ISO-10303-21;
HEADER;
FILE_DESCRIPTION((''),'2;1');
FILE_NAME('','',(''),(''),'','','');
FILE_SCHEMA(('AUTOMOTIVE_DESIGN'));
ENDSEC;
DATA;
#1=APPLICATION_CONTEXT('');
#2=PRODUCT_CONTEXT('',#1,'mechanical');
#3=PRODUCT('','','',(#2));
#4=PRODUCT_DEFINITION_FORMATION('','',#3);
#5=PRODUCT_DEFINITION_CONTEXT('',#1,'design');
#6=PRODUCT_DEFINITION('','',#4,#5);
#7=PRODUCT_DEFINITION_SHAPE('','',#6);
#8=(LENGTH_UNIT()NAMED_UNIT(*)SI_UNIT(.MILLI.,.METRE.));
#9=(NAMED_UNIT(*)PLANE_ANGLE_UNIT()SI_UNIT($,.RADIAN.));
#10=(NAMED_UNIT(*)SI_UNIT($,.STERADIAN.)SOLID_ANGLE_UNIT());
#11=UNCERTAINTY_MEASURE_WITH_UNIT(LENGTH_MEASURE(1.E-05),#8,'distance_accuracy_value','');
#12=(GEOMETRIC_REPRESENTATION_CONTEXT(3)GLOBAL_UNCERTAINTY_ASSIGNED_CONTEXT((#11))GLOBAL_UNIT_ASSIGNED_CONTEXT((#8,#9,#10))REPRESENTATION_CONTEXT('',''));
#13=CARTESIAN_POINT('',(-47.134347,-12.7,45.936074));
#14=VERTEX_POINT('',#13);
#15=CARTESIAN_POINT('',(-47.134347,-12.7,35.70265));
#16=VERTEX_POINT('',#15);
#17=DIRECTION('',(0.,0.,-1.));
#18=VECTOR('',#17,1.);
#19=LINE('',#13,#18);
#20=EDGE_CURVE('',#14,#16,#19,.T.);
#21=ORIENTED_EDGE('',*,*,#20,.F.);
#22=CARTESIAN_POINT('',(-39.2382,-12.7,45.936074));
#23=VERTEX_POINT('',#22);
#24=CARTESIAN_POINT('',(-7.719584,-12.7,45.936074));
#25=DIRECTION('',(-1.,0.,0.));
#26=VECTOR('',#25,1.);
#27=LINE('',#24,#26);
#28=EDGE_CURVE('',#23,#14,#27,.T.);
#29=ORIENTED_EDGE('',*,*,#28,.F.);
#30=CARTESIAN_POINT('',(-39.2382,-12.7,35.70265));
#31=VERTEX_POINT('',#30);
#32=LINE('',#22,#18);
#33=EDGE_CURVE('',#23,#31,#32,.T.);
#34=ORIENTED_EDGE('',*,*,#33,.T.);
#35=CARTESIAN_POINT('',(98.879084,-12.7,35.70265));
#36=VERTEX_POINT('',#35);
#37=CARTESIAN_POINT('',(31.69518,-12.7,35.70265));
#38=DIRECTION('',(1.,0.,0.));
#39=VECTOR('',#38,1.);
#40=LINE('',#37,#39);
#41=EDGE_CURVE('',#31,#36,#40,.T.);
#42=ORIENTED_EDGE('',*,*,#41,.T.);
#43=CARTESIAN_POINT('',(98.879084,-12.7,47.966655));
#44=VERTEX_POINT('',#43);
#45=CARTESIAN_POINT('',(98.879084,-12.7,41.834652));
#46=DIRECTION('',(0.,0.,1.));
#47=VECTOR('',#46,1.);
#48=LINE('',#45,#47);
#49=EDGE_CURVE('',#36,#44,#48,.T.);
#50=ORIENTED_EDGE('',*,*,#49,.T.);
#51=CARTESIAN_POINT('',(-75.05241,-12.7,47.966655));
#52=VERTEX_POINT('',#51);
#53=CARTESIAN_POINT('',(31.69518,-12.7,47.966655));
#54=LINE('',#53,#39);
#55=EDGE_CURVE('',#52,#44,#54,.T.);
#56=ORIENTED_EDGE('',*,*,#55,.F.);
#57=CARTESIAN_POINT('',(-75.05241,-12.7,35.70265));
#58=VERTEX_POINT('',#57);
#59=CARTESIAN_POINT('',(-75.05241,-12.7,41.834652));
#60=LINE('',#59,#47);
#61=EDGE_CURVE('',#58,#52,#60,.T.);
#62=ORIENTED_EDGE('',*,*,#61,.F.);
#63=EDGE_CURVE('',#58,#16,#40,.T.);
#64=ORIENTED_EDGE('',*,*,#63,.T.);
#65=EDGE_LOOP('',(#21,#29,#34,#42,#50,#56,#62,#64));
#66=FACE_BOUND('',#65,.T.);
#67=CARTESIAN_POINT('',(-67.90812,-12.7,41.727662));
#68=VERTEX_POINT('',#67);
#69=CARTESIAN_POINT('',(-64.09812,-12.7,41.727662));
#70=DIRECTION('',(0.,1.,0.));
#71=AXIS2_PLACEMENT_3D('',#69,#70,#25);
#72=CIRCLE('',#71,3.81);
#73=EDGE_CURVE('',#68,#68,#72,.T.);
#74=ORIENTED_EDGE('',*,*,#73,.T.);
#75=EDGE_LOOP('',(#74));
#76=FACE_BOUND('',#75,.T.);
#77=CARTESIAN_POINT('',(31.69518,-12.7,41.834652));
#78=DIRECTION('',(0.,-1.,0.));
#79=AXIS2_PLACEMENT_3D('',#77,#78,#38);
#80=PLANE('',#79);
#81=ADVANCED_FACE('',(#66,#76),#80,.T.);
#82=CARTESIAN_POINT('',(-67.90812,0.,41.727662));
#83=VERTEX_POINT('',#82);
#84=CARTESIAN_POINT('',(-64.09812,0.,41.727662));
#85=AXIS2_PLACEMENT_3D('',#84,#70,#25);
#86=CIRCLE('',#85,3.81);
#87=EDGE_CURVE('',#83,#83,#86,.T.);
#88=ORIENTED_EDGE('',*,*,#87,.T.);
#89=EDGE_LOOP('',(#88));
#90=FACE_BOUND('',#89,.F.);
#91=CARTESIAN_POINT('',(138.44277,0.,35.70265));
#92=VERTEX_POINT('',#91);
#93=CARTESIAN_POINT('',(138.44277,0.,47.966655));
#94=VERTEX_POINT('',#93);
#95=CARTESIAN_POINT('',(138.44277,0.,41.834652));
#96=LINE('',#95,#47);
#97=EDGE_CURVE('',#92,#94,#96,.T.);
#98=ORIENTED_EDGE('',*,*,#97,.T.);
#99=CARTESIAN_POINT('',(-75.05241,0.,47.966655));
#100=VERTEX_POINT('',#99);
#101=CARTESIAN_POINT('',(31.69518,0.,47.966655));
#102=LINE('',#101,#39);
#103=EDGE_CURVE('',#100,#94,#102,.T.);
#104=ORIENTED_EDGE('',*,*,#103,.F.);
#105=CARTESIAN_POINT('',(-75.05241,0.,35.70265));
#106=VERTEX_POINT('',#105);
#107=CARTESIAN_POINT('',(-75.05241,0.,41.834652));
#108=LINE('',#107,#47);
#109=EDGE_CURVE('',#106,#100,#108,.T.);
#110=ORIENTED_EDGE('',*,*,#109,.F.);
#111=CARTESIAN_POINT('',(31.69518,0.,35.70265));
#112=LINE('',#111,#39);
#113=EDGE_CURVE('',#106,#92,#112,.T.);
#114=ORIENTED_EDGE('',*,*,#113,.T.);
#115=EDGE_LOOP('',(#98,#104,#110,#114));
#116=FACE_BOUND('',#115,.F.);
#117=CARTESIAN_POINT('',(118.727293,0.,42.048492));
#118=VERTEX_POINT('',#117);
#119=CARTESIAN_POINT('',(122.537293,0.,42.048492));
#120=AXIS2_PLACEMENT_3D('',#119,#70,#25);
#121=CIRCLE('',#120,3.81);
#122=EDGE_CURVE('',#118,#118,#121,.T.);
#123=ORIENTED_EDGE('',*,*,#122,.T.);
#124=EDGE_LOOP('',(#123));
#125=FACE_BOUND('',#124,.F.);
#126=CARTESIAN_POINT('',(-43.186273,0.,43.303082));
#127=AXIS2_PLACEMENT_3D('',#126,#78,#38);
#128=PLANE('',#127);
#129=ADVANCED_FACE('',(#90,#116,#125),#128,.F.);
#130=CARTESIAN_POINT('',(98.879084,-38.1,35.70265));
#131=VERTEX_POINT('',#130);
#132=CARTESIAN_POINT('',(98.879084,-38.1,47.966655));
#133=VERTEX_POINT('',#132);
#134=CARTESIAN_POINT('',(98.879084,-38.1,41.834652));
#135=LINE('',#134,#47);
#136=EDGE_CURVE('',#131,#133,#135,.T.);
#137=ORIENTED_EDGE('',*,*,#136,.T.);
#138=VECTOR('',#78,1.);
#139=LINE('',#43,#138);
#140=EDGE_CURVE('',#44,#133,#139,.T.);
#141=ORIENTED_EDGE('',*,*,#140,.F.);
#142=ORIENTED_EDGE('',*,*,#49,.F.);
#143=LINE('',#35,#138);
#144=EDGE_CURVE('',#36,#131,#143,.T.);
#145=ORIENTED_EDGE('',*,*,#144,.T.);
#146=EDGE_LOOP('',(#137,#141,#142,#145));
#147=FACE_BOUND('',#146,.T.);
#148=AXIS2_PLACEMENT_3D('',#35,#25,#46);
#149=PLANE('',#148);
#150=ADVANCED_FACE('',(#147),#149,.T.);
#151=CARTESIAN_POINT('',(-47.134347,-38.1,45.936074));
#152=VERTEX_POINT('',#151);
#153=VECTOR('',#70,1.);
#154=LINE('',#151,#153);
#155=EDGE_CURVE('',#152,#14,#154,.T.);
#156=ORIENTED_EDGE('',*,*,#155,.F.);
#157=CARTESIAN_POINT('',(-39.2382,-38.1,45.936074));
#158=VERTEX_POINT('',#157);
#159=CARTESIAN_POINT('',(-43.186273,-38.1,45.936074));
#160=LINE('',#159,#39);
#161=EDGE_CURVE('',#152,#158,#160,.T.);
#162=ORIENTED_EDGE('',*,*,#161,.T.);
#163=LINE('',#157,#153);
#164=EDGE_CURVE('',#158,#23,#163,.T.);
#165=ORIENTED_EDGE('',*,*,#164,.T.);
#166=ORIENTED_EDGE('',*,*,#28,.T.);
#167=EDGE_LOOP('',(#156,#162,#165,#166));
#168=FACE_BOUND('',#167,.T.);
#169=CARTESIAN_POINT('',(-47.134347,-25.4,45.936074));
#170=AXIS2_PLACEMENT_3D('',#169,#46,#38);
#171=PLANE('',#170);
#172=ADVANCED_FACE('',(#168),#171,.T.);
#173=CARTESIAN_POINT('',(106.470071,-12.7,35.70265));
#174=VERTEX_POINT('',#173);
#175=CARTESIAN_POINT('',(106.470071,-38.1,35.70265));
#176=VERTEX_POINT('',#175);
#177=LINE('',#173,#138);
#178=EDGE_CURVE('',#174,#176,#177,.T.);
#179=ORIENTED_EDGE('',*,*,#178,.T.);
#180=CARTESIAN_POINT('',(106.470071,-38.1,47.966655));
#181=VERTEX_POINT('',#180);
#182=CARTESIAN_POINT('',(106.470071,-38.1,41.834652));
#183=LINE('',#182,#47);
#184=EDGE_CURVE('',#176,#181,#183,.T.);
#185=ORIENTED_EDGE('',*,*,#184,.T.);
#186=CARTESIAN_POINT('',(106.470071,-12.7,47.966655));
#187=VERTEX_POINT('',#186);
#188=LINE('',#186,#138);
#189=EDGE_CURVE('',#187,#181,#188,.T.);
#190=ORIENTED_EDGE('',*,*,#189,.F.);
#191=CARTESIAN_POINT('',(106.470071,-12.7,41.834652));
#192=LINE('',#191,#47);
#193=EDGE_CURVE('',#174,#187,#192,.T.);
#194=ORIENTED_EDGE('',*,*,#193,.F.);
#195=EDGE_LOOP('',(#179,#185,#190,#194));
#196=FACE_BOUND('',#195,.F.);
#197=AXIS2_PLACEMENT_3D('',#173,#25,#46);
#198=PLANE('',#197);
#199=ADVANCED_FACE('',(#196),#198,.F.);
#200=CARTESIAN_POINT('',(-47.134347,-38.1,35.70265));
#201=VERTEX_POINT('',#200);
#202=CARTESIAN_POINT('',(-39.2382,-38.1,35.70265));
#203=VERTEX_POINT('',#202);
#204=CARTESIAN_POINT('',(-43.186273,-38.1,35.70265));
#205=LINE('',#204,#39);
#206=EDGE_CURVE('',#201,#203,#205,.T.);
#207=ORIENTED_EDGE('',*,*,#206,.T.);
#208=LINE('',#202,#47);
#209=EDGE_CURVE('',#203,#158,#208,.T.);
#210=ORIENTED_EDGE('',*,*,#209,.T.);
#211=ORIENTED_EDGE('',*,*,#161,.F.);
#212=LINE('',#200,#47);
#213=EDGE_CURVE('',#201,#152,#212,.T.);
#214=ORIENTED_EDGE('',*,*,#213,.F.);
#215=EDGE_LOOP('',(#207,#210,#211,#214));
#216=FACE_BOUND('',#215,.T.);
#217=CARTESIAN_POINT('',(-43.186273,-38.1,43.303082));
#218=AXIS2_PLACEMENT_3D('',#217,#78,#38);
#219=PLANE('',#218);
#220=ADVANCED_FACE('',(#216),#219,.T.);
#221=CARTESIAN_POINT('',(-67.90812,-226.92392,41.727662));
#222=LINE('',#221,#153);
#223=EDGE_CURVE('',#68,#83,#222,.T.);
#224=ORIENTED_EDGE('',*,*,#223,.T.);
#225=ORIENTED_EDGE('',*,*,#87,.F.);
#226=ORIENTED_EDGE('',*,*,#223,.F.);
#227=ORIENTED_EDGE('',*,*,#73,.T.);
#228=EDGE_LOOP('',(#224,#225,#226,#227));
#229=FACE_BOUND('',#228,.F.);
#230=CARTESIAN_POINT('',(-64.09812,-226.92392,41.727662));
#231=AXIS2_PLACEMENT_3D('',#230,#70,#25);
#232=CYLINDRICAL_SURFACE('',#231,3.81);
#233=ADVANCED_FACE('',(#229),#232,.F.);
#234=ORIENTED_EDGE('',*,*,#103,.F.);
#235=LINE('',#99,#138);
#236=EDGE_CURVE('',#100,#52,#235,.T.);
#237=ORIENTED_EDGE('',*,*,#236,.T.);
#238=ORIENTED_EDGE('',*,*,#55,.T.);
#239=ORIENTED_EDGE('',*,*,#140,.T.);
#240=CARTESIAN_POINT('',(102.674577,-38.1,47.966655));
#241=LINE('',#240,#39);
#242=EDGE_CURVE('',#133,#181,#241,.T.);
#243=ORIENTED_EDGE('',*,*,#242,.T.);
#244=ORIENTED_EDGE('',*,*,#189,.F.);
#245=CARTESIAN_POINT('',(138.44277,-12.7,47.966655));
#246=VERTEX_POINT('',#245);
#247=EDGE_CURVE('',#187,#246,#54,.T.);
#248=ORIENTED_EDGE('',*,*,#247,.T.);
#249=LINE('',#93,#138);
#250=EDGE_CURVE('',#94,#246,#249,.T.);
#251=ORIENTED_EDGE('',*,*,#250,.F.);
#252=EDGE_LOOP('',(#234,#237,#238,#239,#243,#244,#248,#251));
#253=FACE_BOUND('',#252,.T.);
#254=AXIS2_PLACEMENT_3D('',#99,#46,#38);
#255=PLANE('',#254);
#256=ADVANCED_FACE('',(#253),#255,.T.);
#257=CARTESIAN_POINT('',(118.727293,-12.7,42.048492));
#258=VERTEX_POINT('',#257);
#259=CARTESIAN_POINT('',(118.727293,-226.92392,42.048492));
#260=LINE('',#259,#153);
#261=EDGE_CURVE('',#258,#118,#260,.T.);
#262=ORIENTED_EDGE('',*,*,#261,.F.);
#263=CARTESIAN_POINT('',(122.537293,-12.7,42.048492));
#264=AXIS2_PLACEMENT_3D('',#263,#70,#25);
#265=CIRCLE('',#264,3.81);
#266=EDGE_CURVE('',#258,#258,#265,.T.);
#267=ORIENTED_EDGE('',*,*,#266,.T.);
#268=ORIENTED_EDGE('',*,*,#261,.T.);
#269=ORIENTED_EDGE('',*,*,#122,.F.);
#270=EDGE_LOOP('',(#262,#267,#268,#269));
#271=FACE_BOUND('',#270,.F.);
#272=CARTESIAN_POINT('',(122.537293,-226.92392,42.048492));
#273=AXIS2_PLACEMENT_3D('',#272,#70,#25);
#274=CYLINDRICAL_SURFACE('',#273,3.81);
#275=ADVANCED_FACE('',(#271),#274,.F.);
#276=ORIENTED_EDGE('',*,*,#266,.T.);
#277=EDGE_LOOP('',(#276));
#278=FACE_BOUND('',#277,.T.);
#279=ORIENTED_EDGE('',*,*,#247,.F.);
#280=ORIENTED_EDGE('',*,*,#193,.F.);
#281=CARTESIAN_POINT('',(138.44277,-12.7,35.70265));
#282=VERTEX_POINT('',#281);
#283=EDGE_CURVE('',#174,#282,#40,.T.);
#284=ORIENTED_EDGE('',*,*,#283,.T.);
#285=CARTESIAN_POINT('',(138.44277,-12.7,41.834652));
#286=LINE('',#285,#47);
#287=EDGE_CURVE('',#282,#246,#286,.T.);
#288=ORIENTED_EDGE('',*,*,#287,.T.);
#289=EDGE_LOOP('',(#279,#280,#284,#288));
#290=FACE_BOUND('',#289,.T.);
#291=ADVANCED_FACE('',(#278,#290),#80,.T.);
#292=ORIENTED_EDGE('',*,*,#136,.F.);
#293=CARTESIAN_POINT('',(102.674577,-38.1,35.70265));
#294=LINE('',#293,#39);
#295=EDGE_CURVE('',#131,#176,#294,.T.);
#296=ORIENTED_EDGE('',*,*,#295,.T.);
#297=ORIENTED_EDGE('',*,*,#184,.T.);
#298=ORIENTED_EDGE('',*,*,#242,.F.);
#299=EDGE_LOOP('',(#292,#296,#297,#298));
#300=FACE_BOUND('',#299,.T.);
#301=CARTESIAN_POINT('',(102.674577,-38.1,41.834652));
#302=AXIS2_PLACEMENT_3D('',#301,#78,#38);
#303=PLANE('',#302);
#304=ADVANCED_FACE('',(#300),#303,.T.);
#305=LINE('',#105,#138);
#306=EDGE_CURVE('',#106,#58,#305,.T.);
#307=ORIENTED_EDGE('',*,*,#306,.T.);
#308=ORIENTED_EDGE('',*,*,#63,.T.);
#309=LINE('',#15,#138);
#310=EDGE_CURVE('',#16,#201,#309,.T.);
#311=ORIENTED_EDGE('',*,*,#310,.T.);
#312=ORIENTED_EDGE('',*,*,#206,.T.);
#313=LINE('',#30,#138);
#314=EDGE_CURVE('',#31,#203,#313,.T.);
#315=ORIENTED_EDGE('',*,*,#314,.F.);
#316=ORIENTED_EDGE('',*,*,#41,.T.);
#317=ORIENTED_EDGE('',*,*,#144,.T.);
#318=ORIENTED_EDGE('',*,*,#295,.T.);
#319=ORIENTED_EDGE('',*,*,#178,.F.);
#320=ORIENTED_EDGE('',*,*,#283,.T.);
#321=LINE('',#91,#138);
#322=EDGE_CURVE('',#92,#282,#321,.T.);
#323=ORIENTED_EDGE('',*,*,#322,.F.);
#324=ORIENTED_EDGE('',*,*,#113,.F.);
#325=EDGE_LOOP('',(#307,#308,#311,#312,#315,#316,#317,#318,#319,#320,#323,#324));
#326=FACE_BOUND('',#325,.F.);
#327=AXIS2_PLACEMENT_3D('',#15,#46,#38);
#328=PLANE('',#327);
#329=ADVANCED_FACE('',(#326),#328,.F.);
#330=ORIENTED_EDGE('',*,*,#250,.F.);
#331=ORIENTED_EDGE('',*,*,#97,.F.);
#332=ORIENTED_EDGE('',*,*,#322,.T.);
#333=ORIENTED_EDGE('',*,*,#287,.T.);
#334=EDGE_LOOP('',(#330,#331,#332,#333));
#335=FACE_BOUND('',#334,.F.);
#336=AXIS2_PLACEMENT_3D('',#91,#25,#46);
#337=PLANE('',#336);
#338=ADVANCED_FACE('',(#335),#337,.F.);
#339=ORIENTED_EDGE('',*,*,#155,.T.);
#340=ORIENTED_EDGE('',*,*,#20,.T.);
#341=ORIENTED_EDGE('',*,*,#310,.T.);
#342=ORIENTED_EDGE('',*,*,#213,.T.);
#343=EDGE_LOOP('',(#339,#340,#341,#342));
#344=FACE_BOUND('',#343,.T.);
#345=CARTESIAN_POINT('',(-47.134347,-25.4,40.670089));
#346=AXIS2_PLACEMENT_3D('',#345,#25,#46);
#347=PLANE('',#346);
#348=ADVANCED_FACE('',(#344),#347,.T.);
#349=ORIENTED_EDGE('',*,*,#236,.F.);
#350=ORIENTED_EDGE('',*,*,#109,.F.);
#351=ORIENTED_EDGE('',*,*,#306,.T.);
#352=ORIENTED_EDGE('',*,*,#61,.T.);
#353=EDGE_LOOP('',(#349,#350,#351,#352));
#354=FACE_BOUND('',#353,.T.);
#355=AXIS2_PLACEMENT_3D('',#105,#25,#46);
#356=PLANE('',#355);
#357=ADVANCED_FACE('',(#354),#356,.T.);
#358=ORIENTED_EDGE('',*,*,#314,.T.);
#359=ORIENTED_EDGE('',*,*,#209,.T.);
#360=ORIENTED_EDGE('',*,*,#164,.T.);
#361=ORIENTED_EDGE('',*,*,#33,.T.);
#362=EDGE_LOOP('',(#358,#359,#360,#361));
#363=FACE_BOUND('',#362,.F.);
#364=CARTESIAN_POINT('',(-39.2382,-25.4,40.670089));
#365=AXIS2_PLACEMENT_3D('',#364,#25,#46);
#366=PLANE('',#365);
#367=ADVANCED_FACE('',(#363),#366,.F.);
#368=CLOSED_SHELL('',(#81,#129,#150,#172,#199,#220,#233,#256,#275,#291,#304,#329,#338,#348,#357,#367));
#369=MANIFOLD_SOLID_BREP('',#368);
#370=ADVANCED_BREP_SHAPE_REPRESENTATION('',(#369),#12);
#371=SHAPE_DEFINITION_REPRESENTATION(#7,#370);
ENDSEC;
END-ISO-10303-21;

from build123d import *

# Parameters (mm, degrees)
F0_W      = 213.4951800108
F0_H      = 12.2640058398
F1_DEPTH  = 12.7
F3_D      = 7.62
F5_D      = 7.62
F6_W      = 7.8961476684
F6_H      = 5.2659846842
F7_DEPTH  = 25.4
F8_W      = 7.5909867883
F8_H      = 12.2640058398
F9_DEPTH  = 25.4
F10_W     = 7.8961476684
F10_H     = 4.9674399197
F11_DEPTH = 25.4
F12_DEPTH = 12.7


with BuildPart() as f1:
    # F0 (on Front) → F1 (new body)
    with BuildSketch(Plane.XZ):
        with Locations((31.6951796412, 41.8346524239)):
            Rectangle(F0_W, F0_H)
    extrude(amount=F1_DEPTH)

    # F3 (through all)
    with Locations(Plane.XZ.offset(12.7)):
        with Locations((-64.0981197357, 41.7276620865)):
            Hole(F3_D / 2)

    # F5 (through all)
    with Locations(Plane.XZ.offset(12.7)):
        with Locations((122.5372925401, 42.0484915376)):
            Hole(F5_D / 2)

    # F6 (on Front) → F7 (join)
    with BuildSketch(Plane.XZ):
        with Locations((-43.1862734258, 43.3030817658)):
            Rectangle(F6_W, F6_H)
    extrude(amount=F7_DEPTH)

    # F8 (on face) → F9 (join)
    with BuildSketch(Plane.XZ.offset(12.7)):
        with Locations((102.6745773852, 41.8346524239)):
            Rectangle(F8_W, F8_H)
    extrude(amount=F9_DEPTH)

    # F10 (on face) → F11 (join)
    with BuildSketch(Plane.XZ.offset(12.7)):
        with Locations((-43.1862734258, 38.1863694638)):
            Rectangle(F10_W, F10_H)
    extrude(amount=F11_DEPTH)

    # F12 (add): a face of the model
    f12_faces = [f1.faces().sort_by_distance(p)[0] for p in [
        (-43.1862734258, -25.4, 43.3030817658),
    ]]
    extrude(f12_faces, amount=F12_DEPTH)


solid = f1.part
